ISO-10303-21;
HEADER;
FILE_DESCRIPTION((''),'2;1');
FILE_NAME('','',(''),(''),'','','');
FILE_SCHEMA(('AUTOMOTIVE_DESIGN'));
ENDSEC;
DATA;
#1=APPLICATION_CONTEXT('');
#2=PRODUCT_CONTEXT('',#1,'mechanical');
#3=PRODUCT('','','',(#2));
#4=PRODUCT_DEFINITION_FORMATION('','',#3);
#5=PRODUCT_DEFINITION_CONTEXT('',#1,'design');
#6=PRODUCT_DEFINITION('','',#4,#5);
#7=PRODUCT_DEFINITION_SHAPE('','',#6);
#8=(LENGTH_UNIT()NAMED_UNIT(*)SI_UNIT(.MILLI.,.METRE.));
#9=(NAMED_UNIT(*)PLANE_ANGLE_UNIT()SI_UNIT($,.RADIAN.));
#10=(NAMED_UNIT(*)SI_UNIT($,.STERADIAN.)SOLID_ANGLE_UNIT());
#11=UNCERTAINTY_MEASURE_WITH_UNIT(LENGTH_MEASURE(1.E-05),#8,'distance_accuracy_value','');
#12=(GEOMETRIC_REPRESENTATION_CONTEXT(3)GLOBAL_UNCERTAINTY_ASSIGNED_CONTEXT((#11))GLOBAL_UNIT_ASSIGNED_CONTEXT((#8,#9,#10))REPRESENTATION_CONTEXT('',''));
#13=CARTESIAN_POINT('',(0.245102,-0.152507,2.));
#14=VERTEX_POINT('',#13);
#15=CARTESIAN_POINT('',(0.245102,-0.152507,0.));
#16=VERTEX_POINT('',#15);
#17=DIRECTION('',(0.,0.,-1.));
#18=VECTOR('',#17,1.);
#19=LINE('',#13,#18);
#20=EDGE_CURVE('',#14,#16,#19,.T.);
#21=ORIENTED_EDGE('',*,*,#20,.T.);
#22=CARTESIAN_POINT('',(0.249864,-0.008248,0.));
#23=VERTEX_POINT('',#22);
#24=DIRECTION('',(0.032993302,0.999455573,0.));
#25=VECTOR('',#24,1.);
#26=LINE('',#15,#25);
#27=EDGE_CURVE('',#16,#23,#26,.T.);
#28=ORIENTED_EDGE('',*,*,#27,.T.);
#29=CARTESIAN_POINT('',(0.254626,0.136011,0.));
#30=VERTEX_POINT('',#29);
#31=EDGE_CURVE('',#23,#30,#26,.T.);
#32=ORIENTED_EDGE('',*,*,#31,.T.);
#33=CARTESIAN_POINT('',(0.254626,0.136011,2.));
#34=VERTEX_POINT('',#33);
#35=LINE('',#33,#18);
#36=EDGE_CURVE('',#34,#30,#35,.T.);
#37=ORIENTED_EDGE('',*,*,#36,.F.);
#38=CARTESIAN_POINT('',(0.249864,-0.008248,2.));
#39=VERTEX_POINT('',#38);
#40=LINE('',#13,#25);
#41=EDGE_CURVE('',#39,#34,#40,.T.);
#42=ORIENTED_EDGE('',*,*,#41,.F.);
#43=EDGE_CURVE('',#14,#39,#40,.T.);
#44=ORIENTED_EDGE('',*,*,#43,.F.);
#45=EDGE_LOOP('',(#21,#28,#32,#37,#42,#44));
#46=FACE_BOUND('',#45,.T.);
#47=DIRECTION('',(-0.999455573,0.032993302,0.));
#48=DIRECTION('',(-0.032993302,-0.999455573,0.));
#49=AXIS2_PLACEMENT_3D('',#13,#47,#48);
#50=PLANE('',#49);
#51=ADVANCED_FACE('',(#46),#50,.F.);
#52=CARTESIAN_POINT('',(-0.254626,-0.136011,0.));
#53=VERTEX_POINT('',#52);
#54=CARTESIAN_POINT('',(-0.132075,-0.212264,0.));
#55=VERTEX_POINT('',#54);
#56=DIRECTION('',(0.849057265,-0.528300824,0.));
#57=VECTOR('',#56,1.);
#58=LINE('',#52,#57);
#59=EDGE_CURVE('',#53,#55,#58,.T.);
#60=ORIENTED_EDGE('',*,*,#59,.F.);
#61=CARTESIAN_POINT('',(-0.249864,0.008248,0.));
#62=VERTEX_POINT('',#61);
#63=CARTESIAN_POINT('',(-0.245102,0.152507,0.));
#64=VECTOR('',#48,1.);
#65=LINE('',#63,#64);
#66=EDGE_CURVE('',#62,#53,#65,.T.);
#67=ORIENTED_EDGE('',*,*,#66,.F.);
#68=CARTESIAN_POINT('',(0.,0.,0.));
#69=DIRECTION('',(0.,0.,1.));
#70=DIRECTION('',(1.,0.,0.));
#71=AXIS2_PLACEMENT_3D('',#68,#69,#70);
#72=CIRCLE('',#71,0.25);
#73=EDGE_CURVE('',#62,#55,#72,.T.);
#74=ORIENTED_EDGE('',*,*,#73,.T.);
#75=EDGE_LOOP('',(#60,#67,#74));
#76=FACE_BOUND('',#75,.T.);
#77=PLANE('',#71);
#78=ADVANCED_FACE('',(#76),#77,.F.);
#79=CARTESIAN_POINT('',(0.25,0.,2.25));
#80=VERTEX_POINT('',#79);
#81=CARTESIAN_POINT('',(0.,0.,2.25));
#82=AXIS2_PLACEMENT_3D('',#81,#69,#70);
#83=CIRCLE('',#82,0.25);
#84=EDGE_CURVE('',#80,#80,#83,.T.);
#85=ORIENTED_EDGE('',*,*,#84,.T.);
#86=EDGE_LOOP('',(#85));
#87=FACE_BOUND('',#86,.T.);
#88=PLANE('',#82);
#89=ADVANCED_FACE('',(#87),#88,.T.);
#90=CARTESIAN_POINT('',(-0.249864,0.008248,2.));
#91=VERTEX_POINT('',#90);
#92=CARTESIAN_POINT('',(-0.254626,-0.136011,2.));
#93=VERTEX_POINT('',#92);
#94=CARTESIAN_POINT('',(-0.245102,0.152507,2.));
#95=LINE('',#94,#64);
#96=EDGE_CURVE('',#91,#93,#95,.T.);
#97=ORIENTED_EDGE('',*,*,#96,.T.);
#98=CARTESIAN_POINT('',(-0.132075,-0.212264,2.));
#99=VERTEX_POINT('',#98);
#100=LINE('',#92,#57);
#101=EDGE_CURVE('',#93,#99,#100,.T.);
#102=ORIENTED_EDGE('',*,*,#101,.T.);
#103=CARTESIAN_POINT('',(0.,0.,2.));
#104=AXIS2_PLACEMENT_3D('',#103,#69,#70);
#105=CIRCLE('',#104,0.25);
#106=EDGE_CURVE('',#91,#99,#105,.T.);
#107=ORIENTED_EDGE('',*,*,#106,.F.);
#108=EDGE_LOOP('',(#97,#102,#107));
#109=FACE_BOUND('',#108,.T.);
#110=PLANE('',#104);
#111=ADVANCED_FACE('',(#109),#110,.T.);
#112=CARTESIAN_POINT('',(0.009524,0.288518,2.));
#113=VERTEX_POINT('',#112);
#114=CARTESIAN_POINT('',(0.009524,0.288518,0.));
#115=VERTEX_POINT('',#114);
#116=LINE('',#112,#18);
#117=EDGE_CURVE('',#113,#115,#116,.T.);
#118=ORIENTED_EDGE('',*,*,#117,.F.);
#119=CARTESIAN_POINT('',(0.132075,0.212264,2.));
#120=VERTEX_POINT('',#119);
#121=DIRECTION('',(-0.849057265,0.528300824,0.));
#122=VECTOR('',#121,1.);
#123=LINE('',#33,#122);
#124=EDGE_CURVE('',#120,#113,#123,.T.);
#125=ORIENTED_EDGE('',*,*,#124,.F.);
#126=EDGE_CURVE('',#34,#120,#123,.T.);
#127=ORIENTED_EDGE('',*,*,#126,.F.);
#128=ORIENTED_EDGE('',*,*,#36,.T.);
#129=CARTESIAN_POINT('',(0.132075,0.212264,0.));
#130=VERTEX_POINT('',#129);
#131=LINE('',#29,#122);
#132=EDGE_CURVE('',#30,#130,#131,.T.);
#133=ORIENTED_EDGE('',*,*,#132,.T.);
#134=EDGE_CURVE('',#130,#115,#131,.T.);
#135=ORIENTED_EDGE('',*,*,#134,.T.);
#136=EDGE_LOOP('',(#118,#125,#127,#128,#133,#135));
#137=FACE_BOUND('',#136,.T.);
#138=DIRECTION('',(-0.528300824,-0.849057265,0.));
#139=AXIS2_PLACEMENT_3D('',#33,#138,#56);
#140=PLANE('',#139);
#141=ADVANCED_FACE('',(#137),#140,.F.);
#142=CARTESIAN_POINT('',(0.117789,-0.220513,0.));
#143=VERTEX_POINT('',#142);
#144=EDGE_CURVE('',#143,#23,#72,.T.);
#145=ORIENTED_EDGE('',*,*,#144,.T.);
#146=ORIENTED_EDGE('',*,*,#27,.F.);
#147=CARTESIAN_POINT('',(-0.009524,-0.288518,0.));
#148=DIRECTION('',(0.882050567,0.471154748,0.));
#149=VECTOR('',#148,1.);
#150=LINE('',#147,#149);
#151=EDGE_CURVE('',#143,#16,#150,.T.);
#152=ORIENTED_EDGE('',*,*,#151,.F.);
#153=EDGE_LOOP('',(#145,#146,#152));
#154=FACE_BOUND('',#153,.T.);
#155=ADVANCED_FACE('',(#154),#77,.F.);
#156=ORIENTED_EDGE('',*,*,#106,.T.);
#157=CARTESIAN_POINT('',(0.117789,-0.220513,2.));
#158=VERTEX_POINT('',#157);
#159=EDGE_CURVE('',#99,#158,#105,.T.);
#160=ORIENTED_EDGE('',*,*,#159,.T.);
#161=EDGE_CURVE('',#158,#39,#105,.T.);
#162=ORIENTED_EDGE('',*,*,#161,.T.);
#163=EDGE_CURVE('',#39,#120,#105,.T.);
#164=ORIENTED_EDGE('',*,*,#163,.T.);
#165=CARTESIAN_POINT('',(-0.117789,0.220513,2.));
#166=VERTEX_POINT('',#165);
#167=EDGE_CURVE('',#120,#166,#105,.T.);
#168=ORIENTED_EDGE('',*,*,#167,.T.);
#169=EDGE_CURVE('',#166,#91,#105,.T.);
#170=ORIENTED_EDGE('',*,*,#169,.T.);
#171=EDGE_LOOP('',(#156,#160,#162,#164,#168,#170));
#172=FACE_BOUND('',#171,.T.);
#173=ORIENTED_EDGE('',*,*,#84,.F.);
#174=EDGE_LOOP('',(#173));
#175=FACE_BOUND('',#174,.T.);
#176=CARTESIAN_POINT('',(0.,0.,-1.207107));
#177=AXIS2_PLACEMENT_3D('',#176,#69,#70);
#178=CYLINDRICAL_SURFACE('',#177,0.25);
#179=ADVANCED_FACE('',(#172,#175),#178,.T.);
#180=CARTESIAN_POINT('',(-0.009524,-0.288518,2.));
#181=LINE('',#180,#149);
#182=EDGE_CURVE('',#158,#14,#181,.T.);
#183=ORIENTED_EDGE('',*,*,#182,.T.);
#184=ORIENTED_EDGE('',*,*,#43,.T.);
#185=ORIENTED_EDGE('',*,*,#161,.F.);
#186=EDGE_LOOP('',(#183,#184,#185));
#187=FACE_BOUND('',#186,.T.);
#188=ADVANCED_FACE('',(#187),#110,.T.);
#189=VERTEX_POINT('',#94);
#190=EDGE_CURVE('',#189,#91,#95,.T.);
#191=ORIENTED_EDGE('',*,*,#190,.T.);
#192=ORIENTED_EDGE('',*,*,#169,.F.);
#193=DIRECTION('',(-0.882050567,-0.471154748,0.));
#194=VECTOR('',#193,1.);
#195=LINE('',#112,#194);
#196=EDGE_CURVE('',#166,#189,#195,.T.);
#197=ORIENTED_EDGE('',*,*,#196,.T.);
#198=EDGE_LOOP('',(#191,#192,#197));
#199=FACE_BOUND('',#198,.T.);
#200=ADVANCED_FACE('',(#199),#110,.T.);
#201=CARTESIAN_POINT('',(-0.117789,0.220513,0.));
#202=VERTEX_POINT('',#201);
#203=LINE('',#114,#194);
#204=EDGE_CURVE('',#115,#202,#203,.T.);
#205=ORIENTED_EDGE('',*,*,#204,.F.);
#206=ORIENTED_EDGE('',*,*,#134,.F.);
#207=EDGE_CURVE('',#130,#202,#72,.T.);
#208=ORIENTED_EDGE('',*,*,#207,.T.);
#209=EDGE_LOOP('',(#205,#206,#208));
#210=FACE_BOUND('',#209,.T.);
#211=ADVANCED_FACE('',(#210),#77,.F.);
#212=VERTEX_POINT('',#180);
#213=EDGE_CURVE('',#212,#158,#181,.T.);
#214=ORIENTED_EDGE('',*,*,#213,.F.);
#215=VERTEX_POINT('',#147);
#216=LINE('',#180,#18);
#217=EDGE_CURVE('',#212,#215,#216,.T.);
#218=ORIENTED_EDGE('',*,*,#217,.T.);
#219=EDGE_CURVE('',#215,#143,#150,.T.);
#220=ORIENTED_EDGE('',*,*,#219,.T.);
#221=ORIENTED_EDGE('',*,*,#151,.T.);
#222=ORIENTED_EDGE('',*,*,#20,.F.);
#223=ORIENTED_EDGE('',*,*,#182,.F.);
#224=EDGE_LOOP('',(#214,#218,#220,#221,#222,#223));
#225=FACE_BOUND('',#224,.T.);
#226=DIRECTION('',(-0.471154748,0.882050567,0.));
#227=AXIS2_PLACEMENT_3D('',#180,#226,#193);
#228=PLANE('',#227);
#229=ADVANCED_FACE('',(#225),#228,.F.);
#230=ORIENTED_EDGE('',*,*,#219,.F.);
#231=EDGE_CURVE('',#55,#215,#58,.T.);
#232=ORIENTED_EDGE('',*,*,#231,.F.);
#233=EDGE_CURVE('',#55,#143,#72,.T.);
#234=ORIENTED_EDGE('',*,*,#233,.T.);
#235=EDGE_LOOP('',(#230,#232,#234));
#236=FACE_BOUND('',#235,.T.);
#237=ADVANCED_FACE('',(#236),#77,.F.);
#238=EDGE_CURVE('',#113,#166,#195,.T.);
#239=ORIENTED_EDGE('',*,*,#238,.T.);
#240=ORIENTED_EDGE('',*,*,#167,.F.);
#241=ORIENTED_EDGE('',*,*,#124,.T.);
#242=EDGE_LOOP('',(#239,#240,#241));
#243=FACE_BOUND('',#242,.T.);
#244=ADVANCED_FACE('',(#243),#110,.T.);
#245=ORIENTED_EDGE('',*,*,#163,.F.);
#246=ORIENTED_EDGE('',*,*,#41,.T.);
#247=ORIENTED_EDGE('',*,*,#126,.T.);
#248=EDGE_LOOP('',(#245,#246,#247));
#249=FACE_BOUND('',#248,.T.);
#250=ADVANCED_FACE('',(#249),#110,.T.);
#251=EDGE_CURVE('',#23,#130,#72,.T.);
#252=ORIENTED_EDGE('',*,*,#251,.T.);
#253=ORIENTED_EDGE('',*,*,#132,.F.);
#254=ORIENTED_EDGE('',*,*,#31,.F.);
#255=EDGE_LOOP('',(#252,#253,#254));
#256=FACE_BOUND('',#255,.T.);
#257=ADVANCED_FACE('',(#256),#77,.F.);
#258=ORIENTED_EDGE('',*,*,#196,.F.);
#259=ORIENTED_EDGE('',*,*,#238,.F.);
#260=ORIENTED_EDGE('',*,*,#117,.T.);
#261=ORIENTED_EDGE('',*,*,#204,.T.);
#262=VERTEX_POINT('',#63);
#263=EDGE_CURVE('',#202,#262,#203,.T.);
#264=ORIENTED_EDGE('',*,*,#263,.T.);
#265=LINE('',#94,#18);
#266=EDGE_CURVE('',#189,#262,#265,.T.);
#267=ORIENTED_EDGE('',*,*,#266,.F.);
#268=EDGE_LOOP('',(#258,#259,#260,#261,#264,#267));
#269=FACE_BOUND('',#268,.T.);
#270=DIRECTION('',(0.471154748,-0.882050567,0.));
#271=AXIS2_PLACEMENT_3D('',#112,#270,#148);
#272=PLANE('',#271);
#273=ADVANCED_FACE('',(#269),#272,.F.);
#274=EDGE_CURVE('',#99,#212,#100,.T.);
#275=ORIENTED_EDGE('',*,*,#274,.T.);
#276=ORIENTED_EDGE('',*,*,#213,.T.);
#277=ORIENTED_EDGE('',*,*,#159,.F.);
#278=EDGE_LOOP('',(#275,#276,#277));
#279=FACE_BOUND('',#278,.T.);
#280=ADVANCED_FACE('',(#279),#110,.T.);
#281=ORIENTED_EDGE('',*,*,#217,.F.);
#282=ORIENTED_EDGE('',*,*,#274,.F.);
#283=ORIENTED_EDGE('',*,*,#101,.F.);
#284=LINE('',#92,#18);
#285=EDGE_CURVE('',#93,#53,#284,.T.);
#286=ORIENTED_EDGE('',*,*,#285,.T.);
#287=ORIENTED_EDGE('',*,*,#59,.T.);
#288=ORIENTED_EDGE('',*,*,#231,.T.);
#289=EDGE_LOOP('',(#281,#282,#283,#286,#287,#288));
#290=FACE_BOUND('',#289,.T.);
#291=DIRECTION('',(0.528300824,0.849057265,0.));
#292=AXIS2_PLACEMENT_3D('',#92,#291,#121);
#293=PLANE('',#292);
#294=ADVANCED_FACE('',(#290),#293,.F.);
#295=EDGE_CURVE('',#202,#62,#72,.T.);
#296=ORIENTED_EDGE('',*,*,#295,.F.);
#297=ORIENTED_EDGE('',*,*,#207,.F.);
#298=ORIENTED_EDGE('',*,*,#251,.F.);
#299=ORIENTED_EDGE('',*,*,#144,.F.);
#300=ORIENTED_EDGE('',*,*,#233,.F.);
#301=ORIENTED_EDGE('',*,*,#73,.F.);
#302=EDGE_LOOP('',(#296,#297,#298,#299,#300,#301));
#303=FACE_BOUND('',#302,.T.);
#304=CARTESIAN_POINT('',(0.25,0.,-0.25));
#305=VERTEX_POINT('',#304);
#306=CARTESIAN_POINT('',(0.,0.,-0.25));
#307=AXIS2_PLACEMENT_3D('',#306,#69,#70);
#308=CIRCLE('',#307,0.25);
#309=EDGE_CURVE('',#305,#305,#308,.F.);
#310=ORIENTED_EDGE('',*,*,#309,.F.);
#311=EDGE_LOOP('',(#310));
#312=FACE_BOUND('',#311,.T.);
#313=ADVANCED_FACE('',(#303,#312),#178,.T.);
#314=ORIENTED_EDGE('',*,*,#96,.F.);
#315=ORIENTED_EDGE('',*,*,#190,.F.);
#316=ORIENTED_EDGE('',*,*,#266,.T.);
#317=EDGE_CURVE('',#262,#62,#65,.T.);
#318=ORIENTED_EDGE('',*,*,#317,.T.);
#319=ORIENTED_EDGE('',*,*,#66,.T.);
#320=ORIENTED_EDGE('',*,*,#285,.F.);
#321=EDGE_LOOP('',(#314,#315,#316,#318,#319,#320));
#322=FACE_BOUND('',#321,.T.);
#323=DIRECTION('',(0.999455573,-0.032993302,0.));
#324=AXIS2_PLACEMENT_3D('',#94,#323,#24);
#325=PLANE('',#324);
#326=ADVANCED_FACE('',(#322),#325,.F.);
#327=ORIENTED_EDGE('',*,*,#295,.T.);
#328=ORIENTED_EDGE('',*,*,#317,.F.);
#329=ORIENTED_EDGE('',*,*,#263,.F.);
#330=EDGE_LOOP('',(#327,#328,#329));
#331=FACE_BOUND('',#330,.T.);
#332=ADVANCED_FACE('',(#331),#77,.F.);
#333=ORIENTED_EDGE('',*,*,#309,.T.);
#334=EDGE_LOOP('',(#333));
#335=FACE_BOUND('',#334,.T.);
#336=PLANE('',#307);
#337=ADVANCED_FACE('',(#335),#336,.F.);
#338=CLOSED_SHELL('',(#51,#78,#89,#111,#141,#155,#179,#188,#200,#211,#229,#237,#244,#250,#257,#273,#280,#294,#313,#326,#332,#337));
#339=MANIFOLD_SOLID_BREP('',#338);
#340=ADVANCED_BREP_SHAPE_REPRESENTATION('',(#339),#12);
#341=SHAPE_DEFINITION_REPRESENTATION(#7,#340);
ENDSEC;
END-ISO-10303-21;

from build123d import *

# Parameters (mm, degrees)
BOSS_EXTRUDE1_DEPTH      = 2
BOSS_EXTRUDE2_DEPTH      = 0.25
BOSS_EXTRUDE2_DEPTH_BACK = 2.25
SKETCH2_R                = 0.25


with BuildPart() as part:
    # Sketch1 → Boss-Extrude1 (new body)
    with BuildSketch(Plane.XY):
        Polygon((-0.24510172, 0.152507312), (-0.254626066, -0.13601066), (-0.009524346, -0.288517972), (0.24510172, -0.152507312), (0.254626066, 0.13601066), (0.009524346, 0.288517972), align=None)
    extrude(amount=BOSS_EXTRUDE1_DEPTH)

    # Sketch2 → Boss-Extrude2 (add, two sides: drawn at the far end of the back side and taken through both)
    with BuildSketch(Plane.XY.offset(2).offset(-BOSS_EXTRUDE2_DEPTH_BACK)):
        Circle(SKETCH2_R)
    extrude(amount=BOSS_EXTRUDE2_DEPTH + BOSS_EXTRUDE2_DEPTH_BACK)


solid = part.part
